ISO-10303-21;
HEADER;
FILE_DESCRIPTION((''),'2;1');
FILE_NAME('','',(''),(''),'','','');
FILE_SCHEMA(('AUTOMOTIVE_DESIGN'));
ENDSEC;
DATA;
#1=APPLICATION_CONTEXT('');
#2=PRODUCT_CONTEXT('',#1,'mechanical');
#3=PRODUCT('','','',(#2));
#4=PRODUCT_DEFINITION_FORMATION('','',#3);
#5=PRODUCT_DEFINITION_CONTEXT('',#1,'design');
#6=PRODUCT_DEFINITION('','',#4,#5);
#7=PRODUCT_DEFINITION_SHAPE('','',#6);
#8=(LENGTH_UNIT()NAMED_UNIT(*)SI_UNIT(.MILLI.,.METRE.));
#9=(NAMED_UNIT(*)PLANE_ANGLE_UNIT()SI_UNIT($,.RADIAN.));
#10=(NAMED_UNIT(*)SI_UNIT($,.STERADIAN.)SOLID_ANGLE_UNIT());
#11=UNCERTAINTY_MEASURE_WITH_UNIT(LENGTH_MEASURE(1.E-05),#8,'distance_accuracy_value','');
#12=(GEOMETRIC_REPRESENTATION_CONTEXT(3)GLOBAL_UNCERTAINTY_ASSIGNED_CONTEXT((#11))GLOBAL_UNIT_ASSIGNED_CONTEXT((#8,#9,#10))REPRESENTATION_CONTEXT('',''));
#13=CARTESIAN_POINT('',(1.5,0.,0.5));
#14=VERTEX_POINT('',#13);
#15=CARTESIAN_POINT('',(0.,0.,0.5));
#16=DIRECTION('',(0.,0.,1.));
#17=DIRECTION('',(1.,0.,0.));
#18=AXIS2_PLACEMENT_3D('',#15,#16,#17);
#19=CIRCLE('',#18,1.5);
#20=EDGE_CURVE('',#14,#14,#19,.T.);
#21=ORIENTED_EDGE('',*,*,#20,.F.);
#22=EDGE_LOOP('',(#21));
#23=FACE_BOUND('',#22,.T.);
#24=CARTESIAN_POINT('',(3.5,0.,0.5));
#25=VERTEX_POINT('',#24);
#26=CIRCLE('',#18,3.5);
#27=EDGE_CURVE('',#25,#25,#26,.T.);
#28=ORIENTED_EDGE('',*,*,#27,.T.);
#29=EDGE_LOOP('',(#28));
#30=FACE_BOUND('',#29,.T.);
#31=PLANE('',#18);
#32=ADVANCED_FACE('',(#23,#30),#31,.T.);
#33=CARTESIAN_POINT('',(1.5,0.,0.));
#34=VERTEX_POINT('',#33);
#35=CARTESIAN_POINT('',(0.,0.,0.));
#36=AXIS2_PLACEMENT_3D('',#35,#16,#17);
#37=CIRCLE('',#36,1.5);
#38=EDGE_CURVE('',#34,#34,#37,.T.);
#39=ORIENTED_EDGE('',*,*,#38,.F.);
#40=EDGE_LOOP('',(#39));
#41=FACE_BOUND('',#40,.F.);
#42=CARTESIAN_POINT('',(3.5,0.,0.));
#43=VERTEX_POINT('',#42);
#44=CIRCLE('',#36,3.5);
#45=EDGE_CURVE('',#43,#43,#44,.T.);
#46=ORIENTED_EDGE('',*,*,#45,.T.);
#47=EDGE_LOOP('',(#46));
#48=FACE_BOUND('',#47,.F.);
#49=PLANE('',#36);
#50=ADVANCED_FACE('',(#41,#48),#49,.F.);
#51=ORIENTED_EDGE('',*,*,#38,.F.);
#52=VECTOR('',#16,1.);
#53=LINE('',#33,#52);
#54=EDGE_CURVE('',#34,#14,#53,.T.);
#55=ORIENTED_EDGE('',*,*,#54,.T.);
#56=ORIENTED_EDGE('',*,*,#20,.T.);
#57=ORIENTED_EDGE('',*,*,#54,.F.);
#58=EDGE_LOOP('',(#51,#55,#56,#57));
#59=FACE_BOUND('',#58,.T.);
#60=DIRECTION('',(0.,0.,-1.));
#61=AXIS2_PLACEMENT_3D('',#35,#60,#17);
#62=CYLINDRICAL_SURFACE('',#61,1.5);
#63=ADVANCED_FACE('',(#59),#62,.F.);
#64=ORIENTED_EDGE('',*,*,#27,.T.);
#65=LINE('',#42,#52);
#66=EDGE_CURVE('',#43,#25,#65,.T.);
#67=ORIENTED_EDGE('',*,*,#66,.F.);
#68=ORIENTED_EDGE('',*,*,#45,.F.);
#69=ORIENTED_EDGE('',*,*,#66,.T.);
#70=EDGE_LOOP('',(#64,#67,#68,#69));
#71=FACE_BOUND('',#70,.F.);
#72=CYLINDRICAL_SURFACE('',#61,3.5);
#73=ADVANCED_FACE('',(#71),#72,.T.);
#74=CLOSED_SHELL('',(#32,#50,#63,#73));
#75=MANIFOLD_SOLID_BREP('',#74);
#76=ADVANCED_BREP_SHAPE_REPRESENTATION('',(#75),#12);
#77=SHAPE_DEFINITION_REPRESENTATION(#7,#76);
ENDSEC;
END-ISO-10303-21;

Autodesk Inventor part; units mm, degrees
ref_plane "YZ Plane" through (0, 0, 0) normal (1, 0, 0) x (0, 1, 0)
ref_plane "XZ Plane" through (0, 0, 0) normal (0, 1, 0) x (-1, 0, 0)
ref_plane "XY Plane" through (0, 0, 0) normal (0, 0, 1) x (1, 0, 0)
sketch "スケッチ1" plane through (0, 0, 0) normal (0, 0, 1) x (1, 0, 0)
  circle A0 centre (0, 0) radius 1.5
  circle A1 centre (0, 0) radius 3.5
  dimension "d0" = 3
  dimension "d1" = 7
extrude "押し出し1" add sketch "スケッチ1" along normal blind 0.5
properties part number "ワッシャD7d3m0.5" material "真鍮"
